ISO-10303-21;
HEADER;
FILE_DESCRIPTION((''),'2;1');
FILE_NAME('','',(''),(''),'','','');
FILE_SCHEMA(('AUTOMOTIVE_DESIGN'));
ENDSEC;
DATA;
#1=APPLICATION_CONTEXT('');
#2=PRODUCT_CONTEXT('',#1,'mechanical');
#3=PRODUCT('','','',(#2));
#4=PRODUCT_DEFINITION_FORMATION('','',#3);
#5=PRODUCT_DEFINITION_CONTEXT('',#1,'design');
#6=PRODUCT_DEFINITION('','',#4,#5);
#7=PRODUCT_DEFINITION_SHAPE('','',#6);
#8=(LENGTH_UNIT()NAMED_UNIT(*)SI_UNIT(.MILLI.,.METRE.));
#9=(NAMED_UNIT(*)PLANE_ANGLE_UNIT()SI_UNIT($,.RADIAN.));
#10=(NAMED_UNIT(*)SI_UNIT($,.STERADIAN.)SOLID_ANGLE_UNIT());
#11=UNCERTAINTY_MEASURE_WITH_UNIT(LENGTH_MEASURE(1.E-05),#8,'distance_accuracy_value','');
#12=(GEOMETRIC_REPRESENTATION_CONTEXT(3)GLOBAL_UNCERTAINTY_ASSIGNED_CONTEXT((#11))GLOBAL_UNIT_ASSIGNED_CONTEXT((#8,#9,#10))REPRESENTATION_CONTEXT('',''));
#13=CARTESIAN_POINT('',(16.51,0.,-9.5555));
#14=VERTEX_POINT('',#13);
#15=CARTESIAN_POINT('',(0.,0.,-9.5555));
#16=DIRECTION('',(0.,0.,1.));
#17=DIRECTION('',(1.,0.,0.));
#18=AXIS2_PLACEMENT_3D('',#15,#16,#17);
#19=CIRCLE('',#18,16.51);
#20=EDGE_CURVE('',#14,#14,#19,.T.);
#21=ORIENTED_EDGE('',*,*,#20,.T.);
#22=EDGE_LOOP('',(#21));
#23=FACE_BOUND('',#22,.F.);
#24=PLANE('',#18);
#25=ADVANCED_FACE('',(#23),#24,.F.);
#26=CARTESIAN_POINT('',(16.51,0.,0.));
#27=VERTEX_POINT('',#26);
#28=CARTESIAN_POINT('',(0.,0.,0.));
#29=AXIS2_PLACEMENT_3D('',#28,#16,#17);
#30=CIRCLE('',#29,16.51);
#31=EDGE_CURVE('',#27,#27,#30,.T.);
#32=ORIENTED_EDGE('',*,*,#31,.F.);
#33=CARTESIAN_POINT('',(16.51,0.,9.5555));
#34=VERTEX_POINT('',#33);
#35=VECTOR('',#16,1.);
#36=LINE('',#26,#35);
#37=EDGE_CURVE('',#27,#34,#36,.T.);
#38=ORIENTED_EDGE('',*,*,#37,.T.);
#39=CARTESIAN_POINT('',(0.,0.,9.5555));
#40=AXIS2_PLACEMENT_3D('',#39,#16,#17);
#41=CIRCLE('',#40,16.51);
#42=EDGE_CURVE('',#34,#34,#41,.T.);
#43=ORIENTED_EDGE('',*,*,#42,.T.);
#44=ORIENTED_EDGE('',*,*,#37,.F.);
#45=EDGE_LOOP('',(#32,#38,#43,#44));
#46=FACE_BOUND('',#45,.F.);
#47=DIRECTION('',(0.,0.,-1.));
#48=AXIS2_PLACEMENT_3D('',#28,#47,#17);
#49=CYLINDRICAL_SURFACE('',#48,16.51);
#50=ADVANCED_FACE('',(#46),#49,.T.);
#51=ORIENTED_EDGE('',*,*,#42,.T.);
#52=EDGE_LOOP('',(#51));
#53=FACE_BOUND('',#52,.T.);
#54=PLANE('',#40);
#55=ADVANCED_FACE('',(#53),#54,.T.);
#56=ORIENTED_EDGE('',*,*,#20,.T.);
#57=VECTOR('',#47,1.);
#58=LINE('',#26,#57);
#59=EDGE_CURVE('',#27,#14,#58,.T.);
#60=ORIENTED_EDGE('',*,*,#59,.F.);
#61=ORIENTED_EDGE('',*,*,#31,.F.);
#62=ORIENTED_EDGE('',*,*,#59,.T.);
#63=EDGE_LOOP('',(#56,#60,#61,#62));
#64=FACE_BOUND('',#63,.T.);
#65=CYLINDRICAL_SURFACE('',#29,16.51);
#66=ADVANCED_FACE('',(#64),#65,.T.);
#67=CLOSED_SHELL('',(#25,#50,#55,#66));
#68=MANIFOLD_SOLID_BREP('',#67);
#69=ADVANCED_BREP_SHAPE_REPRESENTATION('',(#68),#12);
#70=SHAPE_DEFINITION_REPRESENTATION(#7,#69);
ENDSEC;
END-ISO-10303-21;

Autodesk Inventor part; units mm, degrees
ref_plane "YZ Plane" through (0, 0, 0) normal (1, 0, 0) x (0, 1, 0)
ref_plane "XZ Plane" through (0, 0, 0) normal (0, 1, 0) x (-1, 0, 0)
ref_plane "XY Plane" through (0, 0, 0) normal (0, 0, 1) x (1, 0, 0)
sketch "Main Sketch" plane through (0, 0, 0) normal (0, 0, 1) x (1, 0, 0)
  circle A0 centre (0, 0) radius 16.51
  dimension "d0" = 33.02
extrude "Pulley" add sketch "Main Sketch" along normal mid plane 19.111
equation "\"d0\" = da_D"
equation "\"d1\" = da_B"
equation "\"da_D\" = 33.02"
equation "\"da_B\" = 19.11096"
properties part number "Flat Pulley3" material "Steel"
